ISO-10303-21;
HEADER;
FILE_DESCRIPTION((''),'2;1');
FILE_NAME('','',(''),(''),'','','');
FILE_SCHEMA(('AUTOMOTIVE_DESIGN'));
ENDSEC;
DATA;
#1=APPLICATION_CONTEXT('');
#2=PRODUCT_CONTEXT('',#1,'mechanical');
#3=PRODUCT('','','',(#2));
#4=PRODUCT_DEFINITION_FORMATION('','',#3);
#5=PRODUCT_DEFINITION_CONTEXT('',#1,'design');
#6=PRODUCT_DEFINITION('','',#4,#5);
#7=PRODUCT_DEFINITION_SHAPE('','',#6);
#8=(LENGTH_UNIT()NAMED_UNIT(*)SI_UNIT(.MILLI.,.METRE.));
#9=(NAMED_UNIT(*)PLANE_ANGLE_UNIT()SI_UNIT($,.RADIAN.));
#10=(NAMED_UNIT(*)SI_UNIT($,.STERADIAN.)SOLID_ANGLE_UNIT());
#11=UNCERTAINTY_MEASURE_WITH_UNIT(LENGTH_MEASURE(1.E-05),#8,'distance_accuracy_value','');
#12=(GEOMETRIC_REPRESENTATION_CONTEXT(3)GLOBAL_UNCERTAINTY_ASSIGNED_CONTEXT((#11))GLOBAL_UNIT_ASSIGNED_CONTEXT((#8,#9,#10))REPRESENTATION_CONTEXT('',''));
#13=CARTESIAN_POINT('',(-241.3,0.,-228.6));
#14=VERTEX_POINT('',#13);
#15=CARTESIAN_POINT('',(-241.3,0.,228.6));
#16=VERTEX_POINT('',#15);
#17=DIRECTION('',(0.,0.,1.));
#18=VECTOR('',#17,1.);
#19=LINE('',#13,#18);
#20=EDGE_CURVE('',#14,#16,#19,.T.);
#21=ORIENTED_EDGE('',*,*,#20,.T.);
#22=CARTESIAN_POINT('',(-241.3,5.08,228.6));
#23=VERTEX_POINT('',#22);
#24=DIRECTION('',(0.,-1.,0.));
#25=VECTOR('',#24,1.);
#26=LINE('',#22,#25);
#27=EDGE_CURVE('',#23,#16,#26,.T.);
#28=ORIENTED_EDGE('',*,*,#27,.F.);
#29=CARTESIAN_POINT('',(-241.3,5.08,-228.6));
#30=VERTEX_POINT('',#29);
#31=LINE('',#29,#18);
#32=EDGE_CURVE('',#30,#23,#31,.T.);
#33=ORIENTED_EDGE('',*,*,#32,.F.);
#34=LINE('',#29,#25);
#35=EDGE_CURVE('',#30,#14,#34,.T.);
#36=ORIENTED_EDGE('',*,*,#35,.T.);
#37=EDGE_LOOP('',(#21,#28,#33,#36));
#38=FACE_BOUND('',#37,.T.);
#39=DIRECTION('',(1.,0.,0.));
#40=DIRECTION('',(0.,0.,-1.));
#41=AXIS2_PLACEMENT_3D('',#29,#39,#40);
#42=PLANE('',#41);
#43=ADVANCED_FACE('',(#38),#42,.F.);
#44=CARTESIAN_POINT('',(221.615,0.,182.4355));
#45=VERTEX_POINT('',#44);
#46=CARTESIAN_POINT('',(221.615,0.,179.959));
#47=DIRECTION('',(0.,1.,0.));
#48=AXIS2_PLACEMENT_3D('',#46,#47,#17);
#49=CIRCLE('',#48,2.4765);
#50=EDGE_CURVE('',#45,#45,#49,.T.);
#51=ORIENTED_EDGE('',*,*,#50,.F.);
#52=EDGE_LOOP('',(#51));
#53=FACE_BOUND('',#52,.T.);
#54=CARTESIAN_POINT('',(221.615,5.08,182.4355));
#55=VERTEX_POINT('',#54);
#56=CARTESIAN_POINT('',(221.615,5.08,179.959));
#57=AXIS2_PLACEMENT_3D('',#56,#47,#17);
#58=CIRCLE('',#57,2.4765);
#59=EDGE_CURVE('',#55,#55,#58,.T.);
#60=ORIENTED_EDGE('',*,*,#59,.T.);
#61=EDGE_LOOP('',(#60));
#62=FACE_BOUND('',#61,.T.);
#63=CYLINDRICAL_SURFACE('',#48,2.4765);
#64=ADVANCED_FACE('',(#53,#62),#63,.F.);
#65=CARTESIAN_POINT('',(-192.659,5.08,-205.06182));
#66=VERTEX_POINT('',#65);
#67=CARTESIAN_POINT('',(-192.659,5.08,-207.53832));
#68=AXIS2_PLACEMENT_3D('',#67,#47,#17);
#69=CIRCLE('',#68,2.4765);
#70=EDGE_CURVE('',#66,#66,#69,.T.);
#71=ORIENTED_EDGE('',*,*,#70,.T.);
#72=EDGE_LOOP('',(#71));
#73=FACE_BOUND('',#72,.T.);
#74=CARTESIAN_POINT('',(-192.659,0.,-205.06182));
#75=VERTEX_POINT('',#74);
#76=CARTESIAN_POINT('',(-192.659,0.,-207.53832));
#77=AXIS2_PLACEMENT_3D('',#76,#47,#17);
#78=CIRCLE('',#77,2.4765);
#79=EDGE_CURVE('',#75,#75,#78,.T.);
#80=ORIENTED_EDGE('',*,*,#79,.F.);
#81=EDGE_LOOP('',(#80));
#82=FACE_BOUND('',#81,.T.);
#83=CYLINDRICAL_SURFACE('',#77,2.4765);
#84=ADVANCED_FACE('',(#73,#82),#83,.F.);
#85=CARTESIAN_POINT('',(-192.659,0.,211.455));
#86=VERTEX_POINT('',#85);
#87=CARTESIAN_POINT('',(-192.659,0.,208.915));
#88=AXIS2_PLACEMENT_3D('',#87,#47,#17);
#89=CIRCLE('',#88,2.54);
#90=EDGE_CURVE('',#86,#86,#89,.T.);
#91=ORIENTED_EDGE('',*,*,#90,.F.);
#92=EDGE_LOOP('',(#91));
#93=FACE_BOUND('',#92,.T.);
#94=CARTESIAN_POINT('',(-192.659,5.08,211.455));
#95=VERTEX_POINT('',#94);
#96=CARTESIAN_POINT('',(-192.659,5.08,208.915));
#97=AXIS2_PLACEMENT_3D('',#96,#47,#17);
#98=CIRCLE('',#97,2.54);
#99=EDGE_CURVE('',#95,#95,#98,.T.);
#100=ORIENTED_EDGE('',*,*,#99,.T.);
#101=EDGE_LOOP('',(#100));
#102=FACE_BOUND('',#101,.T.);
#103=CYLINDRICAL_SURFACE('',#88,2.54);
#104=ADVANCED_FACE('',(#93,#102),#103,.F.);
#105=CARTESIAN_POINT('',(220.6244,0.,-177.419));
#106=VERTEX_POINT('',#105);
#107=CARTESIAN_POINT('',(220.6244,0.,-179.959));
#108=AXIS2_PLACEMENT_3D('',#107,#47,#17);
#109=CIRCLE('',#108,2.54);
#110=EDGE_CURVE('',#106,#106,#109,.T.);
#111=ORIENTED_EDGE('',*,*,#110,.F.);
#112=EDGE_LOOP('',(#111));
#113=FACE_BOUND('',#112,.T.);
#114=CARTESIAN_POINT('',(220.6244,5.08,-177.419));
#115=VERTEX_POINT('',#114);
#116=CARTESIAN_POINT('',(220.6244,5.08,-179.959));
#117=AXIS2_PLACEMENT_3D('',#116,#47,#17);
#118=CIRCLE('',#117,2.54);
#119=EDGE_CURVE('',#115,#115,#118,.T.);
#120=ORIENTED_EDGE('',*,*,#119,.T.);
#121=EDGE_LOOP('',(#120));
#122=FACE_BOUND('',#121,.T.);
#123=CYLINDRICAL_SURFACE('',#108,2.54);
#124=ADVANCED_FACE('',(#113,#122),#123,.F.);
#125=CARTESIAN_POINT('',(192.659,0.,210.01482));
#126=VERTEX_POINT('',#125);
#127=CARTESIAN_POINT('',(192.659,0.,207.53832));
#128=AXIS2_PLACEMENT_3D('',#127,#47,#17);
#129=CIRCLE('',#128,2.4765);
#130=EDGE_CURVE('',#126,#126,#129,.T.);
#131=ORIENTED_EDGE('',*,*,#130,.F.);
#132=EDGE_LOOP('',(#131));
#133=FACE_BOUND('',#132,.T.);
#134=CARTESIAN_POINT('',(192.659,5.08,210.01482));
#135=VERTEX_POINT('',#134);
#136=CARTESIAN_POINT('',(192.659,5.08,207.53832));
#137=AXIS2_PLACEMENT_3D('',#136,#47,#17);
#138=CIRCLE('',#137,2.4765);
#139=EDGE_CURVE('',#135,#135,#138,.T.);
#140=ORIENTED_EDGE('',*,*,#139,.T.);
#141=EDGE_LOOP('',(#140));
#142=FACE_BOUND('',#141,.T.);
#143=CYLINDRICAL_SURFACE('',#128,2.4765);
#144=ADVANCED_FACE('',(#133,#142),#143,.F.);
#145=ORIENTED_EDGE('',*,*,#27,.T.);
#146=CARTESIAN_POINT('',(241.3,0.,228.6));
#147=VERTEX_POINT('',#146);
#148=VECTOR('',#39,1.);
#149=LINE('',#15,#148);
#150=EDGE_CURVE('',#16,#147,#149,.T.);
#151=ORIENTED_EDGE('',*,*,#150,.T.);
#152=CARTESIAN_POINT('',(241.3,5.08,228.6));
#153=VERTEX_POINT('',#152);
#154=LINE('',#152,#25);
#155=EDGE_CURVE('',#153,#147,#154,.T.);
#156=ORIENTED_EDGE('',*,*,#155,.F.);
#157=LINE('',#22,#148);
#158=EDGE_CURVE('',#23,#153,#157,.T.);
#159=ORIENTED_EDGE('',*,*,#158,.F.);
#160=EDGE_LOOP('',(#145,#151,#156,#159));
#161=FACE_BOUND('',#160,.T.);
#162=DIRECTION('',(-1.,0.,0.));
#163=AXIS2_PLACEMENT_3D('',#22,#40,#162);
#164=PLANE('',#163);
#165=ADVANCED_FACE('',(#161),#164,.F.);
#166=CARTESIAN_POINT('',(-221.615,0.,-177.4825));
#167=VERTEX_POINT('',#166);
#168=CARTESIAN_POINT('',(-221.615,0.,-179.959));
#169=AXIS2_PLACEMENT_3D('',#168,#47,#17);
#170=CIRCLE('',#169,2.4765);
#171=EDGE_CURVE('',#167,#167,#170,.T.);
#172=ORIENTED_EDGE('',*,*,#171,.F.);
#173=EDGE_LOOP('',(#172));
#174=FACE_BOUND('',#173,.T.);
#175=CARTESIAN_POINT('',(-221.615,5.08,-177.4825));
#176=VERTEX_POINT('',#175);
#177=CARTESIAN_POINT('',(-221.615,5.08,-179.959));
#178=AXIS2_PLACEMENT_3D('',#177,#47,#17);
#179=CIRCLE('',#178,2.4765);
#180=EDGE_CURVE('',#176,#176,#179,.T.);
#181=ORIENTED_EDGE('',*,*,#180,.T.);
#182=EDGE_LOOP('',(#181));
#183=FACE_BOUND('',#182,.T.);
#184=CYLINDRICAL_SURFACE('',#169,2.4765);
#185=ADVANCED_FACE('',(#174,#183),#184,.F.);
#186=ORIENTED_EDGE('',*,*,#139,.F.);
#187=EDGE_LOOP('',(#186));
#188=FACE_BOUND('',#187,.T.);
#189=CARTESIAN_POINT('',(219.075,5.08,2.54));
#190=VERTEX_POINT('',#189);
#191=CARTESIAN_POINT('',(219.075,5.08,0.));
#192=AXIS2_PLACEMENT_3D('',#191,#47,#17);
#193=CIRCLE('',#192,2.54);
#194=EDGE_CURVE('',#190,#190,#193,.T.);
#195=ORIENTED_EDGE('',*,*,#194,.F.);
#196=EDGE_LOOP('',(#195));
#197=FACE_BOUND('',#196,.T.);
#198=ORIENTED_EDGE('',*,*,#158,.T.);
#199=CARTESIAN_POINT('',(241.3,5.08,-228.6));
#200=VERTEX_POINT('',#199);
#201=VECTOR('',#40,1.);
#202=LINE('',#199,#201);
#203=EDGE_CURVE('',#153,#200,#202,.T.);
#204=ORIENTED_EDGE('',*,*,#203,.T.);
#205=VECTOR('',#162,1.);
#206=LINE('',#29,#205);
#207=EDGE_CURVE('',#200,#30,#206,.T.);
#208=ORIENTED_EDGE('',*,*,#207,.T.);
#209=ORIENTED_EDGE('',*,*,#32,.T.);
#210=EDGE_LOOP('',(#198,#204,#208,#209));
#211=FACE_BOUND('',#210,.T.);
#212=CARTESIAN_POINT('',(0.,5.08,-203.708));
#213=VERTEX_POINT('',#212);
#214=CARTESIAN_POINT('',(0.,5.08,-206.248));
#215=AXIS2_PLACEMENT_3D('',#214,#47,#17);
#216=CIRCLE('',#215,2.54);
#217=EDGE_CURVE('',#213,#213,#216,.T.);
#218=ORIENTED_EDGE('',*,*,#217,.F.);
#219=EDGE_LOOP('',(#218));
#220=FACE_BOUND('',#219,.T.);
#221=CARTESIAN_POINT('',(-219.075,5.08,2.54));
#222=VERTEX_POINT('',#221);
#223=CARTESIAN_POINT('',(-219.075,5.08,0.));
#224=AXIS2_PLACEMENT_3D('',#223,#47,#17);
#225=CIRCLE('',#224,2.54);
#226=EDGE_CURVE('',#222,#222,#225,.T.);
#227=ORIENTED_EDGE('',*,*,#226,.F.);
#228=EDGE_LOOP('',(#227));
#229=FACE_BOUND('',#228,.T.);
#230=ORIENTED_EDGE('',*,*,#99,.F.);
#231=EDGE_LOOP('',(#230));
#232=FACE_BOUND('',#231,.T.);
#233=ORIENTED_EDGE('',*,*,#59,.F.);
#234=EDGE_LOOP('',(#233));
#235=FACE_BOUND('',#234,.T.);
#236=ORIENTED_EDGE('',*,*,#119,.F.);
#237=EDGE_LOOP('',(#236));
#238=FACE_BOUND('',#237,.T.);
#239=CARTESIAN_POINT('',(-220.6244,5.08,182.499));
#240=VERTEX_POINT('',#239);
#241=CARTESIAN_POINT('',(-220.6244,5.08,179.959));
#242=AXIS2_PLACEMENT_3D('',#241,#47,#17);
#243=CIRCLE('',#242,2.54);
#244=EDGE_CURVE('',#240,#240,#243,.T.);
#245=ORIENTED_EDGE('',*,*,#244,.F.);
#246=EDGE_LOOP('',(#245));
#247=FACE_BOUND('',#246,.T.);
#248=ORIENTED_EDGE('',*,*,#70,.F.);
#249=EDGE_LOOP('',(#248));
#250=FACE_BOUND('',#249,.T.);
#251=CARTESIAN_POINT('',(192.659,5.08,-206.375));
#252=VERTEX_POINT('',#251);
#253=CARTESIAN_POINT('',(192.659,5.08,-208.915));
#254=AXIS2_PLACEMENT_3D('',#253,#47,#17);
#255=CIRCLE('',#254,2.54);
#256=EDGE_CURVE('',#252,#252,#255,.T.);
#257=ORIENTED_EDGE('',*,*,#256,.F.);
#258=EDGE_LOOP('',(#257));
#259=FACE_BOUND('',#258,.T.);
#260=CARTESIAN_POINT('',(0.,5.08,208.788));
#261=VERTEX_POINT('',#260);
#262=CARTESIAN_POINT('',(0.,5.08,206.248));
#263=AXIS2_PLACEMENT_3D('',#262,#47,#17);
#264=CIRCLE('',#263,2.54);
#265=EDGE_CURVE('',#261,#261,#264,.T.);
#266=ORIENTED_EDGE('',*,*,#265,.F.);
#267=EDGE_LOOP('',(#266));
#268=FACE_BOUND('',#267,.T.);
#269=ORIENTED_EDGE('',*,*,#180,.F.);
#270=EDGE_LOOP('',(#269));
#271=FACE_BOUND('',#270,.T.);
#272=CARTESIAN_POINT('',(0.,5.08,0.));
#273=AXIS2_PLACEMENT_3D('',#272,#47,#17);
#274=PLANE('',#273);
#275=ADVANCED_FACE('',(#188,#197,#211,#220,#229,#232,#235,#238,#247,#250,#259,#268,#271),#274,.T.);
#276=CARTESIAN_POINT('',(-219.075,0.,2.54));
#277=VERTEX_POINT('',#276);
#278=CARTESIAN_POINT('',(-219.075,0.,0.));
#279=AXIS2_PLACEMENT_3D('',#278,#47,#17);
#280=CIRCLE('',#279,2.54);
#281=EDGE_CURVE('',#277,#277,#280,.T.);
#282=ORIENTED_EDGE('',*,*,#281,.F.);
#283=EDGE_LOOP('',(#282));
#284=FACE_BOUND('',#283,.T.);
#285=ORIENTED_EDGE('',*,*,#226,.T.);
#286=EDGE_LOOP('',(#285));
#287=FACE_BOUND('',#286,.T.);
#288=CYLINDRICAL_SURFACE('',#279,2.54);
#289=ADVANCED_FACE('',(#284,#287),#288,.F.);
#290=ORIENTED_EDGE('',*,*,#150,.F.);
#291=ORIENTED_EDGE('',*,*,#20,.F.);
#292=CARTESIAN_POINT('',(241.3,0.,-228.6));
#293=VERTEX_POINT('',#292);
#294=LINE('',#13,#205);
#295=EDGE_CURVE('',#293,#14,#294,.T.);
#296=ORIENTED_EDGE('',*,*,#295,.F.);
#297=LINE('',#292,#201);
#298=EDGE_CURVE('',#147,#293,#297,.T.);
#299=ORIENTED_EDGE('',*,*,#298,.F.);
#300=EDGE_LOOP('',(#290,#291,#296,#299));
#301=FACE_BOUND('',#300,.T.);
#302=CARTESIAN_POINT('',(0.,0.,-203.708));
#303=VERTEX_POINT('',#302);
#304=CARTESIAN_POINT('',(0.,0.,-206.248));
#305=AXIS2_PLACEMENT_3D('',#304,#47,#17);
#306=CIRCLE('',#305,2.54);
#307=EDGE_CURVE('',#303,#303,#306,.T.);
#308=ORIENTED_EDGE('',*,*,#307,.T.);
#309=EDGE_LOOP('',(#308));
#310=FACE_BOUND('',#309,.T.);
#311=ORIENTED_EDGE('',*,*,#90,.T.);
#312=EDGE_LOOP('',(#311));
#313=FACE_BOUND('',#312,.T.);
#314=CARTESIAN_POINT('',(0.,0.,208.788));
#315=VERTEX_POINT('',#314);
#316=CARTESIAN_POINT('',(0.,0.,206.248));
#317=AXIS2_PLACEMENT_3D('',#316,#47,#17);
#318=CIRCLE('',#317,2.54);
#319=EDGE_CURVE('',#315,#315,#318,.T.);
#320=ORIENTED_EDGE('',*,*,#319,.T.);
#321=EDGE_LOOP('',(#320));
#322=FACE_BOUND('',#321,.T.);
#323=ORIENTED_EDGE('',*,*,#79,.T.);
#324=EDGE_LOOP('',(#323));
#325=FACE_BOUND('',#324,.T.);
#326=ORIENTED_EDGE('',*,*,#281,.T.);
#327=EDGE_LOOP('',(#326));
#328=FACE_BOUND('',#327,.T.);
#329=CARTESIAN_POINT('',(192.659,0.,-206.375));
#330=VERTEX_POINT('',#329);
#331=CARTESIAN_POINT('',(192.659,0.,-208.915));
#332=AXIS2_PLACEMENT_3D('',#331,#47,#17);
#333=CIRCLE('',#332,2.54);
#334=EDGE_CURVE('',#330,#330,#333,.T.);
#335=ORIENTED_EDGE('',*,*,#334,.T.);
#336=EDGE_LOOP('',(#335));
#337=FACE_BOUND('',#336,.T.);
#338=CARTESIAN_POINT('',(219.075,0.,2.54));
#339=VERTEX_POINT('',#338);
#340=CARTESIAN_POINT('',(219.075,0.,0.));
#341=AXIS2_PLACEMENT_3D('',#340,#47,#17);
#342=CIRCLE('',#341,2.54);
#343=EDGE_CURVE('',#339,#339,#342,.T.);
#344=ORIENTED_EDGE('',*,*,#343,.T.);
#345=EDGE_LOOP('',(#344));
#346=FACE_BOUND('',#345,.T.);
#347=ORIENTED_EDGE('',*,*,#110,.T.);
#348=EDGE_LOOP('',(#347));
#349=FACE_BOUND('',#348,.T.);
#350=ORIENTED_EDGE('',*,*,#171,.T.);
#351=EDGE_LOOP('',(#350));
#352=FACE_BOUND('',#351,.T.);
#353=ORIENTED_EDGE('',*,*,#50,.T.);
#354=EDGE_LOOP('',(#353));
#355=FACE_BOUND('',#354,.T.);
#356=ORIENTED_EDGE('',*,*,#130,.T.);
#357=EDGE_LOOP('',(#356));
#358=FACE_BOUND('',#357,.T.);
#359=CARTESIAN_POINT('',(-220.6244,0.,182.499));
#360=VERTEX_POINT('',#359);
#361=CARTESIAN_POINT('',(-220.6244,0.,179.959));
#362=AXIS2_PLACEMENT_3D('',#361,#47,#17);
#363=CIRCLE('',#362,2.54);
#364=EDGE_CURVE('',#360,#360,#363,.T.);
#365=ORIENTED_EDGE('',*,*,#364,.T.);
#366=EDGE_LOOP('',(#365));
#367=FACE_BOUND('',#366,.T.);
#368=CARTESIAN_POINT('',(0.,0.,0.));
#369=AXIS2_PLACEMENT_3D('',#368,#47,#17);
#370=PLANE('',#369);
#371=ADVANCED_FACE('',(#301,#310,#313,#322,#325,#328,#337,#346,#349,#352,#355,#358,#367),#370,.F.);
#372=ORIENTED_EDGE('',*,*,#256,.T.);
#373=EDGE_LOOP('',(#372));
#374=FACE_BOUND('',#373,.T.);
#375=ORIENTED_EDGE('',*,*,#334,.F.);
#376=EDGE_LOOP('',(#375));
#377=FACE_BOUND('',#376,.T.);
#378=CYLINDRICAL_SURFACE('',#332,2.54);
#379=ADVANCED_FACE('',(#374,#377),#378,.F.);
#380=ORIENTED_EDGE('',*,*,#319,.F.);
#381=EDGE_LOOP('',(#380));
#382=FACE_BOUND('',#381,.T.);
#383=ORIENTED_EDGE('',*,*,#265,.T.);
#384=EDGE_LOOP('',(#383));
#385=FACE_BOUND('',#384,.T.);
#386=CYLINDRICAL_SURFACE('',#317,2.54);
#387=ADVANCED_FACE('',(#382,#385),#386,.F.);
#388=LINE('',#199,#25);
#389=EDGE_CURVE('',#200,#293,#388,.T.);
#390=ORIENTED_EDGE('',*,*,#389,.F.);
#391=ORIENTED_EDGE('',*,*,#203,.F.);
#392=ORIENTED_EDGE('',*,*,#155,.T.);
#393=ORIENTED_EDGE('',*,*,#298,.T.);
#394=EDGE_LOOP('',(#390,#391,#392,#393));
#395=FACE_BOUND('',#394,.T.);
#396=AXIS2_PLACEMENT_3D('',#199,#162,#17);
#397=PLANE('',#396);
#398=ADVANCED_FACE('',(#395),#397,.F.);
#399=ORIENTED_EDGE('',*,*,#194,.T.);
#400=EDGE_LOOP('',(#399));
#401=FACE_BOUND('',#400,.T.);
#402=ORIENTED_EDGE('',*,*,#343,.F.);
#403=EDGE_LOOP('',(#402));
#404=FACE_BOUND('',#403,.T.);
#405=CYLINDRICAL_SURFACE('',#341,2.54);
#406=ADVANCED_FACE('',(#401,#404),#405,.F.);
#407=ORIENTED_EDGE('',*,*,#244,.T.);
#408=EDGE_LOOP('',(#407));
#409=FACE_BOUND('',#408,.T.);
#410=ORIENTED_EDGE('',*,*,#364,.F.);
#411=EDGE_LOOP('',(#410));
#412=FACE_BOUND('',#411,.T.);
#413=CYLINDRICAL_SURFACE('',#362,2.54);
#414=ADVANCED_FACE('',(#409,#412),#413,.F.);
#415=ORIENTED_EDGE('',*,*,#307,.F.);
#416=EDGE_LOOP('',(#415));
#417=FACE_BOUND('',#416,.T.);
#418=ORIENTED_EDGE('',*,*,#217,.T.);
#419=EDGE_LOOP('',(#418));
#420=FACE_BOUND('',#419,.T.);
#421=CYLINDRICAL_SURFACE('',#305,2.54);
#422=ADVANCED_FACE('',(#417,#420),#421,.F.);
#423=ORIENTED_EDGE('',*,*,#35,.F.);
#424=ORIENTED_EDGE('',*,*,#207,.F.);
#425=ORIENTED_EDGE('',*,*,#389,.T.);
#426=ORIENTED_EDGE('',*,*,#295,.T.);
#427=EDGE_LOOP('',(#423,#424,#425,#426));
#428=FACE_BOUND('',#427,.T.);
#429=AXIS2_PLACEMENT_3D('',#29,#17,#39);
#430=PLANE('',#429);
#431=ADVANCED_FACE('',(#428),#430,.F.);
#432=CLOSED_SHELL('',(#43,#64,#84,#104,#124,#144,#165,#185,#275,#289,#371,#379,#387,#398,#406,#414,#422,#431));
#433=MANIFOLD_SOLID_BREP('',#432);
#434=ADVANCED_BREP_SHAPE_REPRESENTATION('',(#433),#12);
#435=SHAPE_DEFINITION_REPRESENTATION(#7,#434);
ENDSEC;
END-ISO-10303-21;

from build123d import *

# Parameters (mm, degrees)
SKETCH1_W           = 482.6
SKETCH1_H           = 457.2
BOSS_EXTRUDE1_DEPTH = 5.08
SKETCH2_R           = 2.4765
SKETCH2_R_2         = 2.54
CUT_EXTRUDE1_DEPTH  = 333.429626237


with BuildPart() as part:
    # Sketch1 → Boss-Extrude1 (new body)
    with BuildSketch(Plane(origin=(0, 0, 0), x_dir=(1, 0, 0), z_dir=(0, 1, 0))):
        Rectangle(SKETCH1_W, SKETCH1_H)
    extrude(amount=BOSS_EXTRUDE1_DEPTH)

    # Sketch2 → Cut-Extrude1 (cut, through all)
    with BuildSketch(Plane(origin=(0, 5.08, 0), x_dir=(1, 0, 0), z_dir=(0, 1, 0))):
        with Locations(Location((-192.659, 207.53832, 0), (0, 0, 270))):
            Circle(SKETCH2_R)
        with Locations(Location((192.659, -207.53832, 0), (0, 0, 270))):
            Circle(SKETCH2_R)
        with Locations(Location((-221.615, 179.959, 0), (0, 0, 270))):
            Circle(SKETCH2_R)
        with Locations(Location((221.615, -179.959, 0), (0, 0, 270))):
            Circle(SKETCH2_R)
        with Locations(Location((220.6244, 179.959, 0), (0, 0, 270))):
            Circle(SKETCH2_R_2)
        with Locations(Location((192.659, 208.915, 0), (0, 0, 270))):
            Circle(SKETCH2_R_2)
        with Locations(Location((-192.659, -208.915, 0), (0, 0, 270))):
            Circle(SKETCH2_R_2)
        with Locations(Location((-220.6244, -179.959, 0), (0, 0, 270))):
            Circle(SKETCH2_R_2)
        with Locations(Location((-219.075, 0, 0), (0, 0, 270))):
            Circle(SKETCH2_R_2)
        with Locations(Location((219.075, 0, 0), (0, 0, 270))):
            Circle(SKETCH2_R_2)
        with Locations(Location((0, -206.248, 0), (0, 0, 270))):
            Circle(SKETCH2_R_2)
        with Locations(Location((0, 206.248, 0), (0, 0, 270))):
            Circle(SKETCH2_R_2)
    extrude(amount=-CUT_EXTRUDE1_DEPTH, mode=Mode.SUBTRACT)


solid = part.part
